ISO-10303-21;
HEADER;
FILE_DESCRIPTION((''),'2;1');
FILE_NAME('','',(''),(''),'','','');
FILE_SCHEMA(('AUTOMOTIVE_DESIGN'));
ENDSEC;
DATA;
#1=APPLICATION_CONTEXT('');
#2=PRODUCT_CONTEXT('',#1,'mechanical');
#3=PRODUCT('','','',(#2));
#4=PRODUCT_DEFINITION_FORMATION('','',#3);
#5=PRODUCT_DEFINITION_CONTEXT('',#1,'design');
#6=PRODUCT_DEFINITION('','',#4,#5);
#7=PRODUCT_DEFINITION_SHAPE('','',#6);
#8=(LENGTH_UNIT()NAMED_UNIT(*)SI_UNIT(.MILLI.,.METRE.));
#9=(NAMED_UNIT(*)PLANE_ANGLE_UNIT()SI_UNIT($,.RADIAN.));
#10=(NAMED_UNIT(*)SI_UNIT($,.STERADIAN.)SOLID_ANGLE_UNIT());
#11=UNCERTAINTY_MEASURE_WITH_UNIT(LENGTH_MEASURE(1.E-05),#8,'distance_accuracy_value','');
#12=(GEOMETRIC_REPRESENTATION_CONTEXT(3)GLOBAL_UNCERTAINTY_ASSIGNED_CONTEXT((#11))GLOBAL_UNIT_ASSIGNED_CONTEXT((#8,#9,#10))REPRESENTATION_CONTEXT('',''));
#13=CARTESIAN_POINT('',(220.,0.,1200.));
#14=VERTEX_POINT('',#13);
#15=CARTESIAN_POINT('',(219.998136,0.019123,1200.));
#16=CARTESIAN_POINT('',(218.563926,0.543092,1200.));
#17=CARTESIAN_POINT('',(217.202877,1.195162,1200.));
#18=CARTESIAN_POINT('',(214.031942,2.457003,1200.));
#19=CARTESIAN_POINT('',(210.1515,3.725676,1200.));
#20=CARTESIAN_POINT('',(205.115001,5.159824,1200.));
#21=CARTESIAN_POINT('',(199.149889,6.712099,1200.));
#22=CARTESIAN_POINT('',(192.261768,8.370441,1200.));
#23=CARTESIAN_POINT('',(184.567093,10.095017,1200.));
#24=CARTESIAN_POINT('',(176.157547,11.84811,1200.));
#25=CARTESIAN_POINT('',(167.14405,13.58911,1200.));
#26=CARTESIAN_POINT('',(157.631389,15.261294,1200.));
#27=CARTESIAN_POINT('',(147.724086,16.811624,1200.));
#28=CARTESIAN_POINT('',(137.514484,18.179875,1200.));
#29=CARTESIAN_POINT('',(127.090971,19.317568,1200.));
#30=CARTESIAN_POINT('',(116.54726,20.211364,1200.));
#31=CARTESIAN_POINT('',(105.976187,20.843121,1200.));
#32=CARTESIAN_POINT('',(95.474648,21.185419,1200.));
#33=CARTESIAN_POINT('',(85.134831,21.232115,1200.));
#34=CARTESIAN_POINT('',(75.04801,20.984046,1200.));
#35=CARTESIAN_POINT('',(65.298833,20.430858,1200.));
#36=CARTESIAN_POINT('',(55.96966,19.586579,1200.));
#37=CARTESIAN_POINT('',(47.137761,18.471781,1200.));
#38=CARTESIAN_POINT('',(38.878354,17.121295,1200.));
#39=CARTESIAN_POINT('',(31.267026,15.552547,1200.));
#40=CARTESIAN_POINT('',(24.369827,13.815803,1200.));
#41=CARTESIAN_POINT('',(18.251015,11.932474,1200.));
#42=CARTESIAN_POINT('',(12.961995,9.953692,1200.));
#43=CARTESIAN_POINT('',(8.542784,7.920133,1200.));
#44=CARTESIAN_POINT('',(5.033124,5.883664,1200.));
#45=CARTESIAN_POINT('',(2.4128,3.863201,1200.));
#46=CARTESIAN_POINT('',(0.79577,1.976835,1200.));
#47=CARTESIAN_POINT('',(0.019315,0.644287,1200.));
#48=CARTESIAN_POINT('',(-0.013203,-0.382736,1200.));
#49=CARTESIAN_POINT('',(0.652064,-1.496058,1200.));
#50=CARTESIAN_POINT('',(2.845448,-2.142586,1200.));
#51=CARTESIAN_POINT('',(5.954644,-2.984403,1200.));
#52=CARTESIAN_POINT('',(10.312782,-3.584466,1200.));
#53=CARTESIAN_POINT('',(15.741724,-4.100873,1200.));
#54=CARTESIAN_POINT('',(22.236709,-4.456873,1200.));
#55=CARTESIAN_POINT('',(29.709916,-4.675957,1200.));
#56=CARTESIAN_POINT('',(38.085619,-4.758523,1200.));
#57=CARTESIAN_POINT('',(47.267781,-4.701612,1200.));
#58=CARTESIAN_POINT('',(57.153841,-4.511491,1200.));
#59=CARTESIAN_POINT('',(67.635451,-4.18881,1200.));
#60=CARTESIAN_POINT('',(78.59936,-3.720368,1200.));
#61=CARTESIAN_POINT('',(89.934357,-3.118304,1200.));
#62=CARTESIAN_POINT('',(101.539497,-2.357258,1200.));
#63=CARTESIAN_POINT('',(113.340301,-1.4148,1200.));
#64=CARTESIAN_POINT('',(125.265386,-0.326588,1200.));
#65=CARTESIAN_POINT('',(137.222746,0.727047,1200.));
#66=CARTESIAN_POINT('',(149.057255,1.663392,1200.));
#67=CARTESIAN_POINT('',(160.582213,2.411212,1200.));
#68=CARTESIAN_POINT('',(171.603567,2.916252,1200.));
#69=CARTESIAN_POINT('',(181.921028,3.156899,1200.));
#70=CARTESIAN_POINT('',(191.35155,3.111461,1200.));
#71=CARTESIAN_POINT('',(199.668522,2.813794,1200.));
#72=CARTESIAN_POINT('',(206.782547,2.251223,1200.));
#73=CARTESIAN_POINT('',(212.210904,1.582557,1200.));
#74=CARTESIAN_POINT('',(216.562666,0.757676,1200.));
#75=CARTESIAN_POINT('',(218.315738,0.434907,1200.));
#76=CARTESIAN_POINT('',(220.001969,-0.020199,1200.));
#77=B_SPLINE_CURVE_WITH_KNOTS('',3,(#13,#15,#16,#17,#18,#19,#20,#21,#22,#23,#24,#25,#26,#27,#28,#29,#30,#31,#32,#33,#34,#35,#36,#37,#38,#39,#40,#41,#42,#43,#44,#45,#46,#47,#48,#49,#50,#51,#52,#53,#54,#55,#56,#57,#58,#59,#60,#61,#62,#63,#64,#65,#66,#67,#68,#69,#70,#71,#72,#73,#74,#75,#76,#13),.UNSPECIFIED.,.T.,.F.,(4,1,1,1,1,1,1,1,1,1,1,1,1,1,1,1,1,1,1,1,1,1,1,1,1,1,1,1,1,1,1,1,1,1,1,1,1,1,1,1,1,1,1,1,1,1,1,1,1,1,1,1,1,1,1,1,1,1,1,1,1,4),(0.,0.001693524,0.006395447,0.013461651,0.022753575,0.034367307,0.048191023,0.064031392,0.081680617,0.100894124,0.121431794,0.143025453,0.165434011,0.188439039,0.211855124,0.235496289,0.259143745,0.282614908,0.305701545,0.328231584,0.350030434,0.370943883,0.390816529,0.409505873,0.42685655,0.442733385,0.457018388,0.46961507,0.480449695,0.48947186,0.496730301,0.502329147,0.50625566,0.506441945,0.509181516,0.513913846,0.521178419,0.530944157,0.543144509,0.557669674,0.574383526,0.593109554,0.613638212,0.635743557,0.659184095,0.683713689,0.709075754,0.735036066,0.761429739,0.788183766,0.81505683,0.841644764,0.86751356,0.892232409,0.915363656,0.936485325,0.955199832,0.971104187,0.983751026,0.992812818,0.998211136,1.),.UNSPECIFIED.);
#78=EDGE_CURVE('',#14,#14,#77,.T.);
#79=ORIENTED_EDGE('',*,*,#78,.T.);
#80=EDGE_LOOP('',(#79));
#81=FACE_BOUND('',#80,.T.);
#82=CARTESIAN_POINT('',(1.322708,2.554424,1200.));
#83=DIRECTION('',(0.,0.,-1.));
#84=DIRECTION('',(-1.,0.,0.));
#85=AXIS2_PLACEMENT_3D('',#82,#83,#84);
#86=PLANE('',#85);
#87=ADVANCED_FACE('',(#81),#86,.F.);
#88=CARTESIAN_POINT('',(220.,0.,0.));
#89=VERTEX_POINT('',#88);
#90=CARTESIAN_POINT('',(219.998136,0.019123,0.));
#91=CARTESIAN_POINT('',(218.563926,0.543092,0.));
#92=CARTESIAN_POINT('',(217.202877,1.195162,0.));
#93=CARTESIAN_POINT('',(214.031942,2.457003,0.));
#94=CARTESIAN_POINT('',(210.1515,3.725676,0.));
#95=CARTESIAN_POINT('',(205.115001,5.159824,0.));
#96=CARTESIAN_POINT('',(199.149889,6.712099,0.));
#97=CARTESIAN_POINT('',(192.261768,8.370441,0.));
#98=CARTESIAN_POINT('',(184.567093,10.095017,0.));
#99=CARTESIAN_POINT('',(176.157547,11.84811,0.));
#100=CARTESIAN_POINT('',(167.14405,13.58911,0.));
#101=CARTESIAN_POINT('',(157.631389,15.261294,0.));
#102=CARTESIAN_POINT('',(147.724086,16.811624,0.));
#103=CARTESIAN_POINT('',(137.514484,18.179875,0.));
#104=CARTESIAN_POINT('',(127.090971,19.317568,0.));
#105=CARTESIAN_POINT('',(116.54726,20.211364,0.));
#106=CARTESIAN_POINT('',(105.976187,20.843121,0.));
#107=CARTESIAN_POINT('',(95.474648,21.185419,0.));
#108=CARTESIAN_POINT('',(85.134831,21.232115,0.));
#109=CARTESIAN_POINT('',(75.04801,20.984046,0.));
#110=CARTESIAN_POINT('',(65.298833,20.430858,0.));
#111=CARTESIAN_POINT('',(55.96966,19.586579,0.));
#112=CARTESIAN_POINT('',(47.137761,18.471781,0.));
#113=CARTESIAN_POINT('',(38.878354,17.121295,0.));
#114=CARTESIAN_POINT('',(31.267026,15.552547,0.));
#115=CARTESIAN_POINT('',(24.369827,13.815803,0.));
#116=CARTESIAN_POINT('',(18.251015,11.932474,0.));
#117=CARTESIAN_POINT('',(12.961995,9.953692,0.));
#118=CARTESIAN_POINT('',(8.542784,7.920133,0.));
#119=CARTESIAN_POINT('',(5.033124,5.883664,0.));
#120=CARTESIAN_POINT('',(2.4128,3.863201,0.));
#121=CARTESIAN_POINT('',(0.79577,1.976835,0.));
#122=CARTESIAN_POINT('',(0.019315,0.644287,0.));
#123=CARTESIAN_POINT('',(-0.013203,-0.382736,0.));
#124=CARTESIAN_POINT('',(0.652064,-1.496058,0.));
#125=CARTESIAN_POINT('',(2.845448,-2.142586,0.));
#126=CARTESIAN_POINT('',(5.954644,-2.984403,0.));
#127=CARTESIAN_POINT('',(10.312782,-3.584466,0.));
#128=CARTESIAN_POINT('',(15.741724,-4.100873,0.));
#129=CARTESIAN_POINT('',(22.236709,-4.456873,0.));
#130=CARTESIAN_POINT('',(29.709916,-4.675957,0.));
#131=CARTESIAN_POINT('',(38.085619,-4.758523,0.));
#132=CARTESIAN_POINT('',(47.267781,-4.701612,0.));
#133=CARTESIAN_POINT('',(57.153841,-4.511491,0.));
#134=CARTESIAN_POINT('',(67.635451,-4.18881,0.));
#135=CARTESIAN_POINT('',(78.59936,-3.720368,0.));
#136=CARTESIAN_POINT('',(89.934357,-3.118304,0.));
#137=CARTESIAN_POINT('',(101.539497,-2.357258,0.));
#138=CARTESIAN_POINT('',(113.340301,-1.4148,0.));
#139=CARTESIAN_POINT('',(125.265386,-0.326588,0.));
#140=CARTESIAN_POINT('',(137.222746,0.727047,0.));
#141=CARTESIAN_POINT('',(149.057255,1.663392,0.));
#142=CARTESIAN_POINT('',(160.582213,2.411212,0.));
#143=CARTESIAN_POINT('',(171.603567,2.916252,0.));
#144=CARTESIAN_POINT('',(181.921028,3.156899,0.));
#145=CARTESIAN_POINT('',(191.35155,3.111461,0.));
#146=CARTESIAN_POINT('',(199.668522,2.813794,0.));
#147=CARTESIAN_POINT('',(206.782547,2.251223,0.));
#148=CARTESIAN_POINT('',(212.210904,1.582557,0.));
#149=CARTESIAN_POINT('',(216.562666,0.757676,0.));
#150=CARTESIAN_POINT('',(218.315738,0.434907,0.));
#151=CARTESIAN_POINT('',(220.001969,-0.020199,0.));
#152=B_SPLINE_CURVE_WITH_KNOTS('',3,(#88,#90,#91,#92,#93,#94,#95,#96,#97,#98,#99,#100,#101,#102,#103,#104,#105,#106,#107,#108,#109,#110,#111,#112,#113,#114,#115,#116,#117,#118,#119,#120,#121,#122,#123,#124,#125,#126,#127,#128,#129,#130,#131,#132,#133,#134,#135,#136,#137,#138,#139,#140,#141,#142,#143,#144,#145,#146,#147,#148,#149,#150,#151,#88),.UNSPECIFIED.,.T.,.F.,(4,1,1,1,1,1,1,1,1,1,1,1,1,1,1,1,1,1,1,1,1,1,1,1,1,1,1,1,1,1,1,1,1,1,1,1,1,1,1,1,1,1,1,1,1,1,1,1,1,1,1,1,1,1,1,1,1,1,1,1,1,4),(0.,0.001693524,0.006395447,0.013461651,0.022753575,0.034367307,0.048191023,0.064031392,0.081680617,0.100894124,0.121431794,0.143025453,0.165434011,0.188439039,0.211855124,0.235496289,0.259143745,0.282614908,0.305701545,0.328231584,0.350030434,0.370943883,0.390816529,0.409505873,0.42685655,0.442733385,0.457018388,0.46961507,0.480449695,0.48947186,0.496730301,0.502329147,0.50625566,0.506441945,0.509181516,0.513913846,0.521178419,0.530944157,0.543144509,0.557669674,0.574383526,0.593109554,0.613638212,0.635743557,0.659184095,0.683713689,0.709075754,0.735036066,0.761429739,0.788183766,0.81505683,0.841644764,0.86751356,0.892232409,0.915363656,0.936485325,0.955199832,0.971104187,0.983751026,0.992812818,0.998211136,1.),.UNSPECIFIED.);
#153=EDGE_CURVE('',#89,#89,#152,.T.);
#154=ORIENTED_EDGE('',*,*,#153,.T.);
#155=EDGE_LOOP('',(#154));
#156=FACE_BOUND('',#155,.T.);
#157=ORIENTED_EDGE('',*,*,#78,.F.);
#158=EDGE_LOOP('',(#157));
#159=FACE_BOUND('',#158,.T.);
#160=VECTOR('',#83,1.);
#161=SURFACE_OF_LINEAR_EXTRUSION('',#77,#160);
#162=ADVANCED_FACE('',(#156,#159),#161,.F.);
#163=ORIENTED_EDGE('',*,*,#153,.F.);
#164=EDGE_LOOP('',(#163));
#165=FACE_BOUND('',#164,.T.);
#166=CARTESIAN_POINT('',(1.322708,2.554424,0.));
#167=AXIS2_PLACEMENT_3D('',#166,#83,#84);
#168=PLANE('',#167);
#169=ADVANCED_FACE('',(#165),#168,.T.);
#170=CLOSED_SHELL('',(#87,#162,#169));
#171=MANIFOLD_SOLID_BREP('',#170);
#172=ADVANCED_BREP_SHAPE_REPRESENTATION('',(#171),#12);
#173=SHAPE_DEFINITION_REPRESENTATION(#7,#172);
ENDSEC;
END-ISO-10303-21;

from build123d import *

# Parameters (mm, degrees)
BOSS_EXTRUDE1_DEPTH = 1200


with BuildPart() as part:
    # Sketch1 → Boss-Extrude1 (new body)
    with BuildSketch(Plane.XY):
        with BuildLine():
            add(Edge.make_bspline(
                [(220, 0), (219.998135988, 0.019122613), (218.563925507, 0.543091868), (217.202877024, 1.195161949), (214.031942043, 2.457002664), (210.151500294, 3.725675551), (205.115001186, 5.159823925), (199.149888904, 6.712098532), (192.261767895, 8.370441408), (184.567092504, 10.095016841), (176.157547087, 11.84810975), (167.144050476, 13.589110484), (157.63138878, 15.261293748), (147.724085726, 16.811623945), (137.514484093, 18.179875485), (127.090971309, 19.317567771), (116.547260473, 20.21136432), (105.97618671, 20.843121168), (95.47464801, 21.185419039), (85.134830962, 21.232115385), (75.048009668, 20.984046136), (65.298833438, 20.430858305), (55.969659866, 19.586579031), (47.13776071, 18.471781021), (38.878354138, 17.121295206), (31.26702647, 15.552547463), (24.3698269, 13.815802625), (18.251015376, 11.932474073), (12.961995314, 9.953692336), (8.542784229, 7.920133493), (5.033123906, 5.88366432), (2.412800466, 3.863201159), (0.795770018, 1.976834958), (0.019314765, 0.644286641), (-0.013203266, -0.382736012), (0.652064303, -1.496057825), (2.845448307, -2.142586284), (5.954643569, -2.984403065), (10.312781637, -3.584466057), (15.741724056, -4.100872863), (22.236709295, -4.45687261), (29.709916283, -4.675957215), (38.085618784, -4.7585228), (47.26778145, -4.701611609), (57.153841207, -4.511490736), (67.63545071, -4.188810022), (78.599360208, -3.720368449), (89.934357058, -3.118304305), (101.539496695, -2.357258092), (113.340300932, -1.414800103), (125.26538602, -0.326588307), (137.222746021, 0.727046983), (149.057254793, 1.66339154), (160.582212642, 2.41121225), (171.603566779, 2.916252399), (181.921027751, 3.156899073), (191.351550468, 3.111460628), (199.668522118, 2.813794382), (206.782546863, 2.251223284), (212.210903629, 1.582557474), (216.562666492, 0.757675809), (218.315737755, 0.434906763), (220.00196895, -0.020199156), (220, 0)],
                knots=[0, 0, 0, 0, 0.001693524, 0.006395447, 0.013461651, 0.022753575, 0.034367307, 0.048191023, 0.064031392, 0.081680617, 0.100894124, 0.121431794, 0.143025453, 0.165434011, 0.188439039, 0.211855124, 0.235496289, 0.259143745, 0.282614908, 0.305701545, 0.328231584, 0.350030434, 0.370943883, 0.390816529, 0.409505873, 0.42685655, 0.442733385, 0.457018388, 0.46961507, 0.480449695, 0.48947186, 0.496730301, 0.502329147, 0.50625566, 0.506441945, 0.509181516, 0.513913846, 0.521178419, 0.530944157, 0.543144509, 0.557669674, 0.574383526, 0.593109554, 0.613638212, 0.635743557, 0.659184095, 0.683713689, 0.709075754, 0.735036066, 0.761429739, 0.788183766, 0.81505683, 0.841644764, 0.86751356, 0.892232409, 0.915363656, 0.936485325, 0.955199832, 0.971104187, 0.983751026, 0.992812818, 0.998211136, 1, 1, 1, 1], degree=3))
        make_face()
    extrude(amount=BOSS_EXTRUDE1_DEPTH)


solid = part.part
